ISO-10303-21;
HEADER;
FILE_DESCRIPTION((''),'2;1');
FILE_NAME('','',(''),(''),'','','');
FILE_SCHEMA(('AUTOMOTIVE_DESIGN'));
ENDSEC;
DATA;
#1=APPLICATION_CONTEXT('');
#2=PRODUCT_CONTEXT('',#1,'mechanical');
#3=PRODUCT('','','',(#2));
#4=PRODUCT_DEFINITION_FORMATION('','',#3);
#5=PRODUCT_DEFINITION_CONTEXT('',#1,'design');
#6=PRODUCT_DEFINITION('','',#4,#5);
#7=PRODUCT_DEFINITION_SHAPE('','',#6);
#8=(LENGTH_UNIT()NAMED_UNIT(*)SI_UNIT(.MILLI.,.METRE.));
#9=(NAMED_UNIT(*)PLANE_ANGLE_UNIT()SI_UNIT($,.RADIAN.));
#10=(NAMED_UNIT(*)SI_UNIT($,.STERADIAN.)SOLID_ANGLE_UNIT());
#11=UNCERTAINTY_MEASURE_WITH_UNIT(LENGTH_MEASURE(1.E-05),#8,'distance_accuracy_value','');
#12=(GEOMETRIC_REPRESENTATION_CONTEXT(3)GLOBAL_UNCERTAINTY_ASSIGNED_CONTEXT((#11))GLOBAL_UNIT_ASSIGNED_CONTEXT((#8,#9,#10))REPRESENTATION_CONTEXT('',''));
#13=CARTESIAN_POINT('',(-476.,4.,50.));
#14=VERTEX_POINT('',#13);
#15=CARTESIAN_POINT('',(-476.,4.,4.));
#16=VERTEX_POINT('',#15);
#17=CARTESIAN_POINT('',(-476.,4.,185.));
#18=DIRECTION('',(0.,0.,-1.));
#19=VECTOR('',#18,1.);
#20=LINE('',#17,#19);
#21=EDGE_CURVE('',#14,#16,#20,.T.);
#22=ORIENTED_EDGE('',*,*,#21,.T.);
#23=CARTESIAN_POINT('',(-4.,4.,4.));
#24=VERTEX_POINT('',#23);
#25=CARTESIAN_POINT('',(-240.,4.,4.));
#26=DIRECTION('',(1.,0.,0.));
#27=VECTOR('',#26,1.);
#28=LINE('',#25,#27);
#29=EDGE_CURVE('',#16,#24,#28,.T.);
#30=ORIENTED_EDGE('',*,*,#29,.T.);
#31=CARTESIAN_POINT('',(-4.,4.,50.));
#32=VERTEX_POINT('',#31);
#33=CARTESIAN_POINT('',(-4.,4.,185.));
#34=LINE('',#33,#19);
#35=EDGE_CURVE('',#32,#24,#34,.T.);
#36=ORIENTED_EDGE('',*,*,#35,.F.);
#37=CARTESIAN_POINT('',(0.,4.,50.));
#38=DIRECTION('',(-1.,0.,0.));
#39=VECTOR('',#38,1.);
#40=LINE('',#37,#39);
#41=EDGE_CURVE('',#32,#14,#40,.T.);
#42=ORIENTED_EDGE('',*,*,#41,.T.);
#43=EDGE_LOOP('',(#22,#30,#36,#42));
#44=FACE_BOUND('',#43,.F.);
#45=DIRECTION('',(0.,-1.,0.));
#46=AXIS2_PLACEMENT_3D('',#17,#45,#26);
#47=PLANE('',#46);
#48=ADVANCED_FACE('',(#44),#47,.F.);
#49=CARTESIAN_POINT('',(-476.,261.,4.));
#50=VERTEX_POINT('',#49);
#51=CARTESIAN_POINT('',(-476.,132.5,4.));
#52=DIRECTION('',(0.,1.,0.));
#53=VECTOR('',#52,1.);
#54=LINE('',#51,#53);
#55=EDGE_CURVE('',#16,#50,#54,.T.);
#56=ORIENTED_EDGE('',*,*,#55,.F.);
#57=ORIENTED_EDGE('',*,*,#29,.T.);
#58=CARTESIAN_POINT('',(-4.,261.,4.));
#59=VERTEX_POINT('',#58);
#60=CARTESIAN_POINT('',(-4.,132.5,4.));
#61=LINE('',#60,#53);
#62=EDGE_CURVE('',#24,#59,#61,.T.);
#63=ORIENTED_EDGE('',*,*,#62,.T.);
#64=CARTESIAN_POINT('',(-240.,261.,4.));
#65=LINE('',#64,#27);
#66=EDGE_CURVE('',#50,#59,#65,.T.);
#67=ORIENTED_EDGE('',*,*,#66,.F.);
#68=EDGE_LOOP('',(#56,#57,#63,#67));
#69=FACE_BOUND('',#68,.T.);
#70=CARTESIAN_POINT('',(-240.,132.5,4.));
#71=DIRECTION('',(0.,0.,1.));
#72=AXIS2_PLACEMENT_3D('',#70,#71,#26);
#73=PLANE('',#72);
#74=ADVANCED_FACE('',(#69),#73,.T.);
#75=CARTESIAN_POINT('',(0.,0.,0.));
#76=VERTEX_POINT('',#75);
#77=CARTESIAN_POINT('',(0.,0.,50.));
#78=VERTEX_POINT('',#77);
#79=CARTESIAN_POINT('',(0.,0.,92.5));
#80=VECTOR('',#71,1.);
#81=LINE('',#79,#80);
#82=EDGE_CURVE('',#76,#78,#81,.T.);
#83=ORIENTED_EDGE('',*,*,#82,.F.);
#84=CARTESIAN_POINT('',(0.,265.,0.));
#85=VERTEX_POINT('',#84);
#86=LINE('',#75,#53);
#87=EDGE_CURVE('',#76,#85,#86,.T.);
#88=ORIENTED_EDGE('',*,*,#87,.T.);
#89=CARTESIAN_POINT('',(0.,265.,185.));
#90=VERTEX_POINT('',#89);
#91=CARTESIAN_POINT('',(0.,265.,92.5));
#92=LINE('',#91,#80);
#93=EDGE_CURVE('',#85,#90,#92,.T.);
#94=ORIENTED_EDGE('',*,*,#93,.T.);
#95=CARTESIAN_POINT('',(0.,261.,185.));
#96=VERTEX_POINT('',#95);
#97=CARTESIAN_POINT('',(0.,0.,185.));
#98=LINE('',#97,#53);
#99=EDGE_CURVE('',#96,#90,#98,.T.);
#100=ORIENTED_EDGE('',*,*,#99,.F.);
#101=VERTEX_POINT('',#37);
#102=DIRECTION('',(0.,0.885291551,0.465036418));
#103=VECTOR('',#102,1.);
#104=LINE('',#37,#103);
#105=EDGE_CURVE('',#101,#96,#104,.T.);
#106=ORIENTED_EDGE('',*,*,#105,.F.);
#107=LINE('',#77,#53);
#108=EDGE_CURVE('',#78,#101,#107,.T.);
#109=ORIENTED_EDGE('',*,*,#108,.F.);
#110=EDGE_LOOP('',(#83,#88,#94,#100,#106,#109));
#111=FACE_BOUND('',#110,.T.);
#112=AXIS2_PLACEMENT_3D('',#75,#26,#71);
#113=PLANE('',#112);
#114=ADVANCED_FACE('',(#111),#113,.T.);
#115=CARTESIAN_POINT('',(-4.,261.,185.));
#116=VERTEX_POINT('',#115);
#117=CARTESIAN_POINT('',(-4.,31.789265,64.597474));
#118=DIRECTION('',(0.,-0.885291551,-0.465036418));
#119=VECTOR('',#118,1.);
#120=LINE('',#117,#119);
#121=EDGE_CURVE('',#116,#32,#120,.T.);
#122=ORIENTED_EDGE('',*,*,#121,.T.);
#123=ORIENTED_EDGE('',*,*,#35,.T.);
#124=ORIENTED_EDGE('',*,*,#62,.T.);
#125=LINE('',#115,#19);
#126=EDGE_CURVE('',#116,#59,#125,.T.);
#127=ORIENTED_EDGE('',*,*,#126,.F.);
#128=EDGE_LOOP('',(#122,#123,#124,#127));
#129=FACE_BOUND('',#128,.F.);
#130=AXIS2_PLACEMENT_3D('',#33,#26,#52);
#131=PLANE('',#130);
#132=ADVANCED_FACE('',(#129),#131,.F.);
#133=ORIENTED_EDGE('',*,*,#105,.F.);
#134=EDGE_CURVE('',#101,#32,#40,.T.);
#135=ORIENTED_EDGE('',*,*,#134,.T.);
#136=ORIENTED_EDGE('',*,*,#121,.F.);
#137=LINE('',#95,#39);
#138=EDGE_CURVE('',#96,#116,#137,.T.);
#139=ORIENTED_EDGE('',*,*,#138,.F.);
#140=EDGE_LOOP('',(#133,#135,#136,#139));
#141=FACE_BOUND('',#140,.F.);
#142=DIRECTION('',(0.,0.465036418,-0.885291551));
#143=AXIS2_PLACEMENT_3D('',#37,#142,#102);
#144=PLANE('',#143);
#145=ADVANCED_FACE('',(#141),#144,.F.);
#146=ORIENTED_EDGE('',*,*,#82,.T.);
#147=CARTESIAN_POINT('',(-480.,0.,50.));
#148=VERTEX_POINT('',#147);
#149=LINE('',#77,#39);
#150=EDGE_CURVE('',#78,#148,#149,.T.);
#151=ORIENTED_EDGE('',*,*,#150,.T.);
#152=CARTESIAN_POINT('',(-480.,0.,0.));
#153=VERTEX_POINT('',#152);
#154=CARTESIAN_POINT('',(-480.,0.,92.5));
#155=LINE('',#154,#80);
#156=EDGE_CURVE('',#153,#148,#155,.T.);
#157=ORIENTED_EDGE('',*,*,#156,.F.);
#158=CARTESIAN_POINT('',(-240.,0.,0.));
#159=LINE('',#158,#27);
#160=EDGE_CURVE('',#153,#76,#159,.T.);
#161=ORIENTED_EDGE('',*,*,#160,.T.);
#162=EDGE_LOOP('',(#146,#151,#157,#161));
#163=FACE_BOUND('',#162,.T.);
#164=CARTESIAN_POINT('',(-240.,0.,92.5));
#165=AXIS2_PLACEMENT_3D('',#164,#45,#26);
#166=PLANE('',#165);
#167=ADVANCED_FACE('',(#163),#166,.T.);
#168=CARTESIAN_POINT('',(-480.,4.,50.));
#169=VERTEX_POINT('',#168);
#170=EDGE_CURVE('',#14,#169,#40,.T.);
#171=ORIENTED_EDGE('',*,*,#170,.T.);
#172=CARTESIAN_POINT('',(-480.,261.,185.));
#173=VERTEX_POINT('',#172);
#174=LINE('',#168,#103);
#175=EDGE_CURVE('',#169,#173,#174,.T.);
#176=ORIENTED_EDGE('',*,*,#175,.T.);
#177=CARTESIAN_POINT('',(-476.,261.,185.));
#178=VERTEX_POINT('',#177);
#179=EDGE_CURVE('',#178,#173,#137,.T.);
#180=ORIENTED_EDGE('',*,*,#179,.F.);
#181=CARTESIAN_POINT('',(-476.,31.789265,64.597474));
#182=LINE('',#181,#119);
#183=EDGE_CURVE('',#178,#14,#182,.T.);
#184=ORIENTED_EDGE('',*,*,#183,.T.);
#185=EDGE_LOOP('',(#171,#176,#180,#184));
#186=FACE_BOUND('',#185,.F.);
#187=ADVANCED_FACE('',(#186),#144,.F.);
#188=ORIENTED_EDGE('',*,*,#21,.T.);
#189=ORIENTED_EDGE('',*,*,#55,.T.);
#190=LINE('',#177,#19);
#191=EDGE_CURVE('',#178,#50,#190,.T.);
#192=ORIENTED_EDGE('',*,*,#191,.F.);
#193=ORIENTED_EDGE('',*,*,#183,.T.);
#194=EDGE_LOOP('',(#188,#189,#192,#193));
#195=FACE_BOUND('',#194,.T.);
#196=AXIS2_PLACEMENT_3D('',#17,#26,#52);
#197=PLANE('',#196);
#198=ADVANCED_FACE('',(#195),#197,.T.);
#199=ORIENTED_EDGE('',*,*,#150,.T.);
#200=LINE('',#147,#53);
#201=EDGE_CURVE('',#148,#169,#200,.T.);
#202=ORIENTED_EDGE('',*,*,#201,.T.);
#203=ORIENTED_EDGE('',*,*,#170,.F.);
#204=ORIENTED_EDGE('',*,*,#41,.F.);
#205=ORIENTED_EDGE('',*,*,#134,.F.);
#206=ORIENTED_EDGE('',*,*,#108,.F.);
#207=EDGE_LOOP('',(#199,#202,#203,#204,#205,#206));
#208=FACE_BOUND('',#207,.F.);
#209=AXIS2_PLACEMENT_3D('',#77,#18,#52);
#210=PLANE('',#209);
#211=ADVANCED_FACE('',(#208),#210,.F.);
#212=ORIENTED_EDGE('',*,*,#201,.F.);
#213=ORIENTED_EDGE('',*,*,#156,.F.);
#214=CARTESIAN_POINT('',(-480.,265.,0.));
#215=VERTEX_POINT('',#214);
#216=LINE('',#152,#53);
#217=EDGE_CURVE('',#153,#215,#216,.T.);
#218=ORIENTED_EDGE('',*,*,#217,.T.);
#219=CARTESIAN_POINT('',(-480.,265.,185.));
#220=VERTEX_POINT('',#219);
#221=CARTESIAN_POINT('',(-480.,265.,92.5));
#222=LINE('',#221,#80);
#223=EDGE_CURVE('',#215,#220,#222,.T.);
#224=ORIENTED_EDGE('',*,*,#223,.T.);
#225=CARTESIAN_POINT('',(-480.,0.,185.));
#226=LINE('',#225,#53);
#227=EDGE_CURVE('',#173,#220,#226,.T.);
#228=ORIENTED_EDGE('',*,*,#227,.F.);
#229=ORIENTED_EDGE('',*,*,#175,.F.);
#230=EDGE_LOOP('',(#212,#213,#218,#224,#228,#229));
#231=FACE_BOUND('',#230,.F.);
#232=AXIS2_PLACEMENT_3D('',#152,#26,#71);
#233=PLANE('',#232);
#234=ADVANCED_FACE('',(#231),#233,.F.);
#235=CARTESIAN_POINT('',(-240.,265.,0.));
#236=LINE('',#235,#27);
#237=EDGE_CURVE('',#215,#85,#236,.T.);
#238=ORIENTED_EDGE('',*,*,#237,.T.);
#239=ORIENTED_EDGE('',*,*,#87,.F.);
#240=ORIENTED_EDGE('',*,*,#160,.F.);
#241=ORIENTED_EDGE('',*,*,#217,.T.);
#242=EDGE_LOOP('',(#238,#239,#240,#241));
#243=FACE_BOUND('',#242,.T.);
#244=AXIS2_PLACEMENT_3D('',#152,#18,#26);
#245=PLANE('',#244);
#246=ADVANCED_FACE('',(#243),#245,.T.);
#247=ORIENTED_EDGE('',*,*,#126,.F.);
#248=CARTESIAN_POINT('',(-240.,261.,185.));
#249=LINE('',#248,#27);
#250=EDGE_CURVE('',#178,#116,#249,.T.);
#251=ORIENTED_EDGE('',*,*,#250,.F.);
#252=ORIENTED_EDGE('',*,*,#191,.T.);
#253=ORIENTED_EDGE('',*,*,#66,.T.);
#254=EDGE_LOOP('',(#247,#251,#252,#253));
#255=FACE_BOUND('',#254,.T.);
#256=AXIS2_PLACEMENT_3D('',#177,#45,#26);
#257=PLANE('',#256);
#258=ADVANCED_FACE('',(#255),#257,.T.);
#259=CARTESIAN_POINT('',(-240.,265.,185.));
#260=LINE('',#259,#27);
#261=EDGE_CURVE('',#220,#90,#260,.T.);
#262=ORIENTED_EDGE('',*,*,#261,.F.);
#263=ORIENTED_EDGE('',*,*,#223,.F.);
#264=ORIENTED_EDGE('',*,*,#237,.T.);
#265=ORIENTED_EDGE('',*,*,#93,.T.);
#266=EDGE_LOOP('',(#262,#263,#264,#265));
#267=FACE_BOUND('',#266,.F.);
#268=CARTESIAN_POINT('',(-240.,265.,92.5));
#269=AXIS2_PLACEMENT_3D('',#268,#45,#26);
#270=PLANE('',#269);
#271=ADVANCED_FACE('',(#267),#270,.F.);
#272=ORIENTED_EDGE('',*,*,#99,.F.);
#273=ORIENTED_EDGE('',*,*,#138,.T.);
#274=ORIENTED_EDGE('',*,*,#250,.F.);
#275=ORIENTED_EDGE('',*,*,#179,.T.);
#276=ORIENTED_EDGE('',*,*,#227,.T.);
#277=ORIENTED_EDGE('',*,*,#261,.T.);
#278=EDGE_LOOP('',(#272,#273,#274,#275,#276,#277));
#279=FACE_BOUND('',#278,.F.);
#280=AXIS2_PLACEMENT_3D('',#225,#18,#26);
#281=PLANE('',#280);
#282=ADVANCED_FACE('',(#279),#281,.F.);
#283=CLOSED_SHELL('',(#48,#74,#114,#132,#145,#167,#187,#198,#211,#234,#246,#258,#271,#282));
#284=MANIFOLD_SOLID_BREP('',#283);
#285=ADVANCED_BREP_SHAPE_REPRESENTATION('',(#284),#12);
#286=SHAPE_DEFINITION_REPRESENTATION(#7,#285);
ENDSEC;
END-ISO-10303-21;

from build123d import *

# Parameters (mm, degrees)
F0_W     = 480
F0_H     = 185
F1_DEPTH = 265
F3_DEPTH = 480
F5_W     = 472
F5_H     = 257
F6_DEPTH = 181


with BuildPart() as f1:
    # F0 (on Front) → F1 (new body)
    with BuildSketch(Plane.XZ):
        with Locations((-240, 92.5)):
            Rectangle(F0_W, F0_H)
    extrude(amount=-F1_DEPTH)

    # F2 (on Right) → F3 (cut, through all)
    with BuildSketch(Plane.YZ):
        Polygon((0, 50), (4, 50), (261, 185), (0, 185), align=None)
    extrude(amount=-F3_DEPTH, mode=Mode.SUBTRACT)

    # F5 (on plane+point) → F6 (cut)
    with BuildSketch(Plane.XY.offset(185)):
        with Locations((-240, 132.5)):
            Rectangle(F5_W, F5_H)
    extrude(amount=-F6_DEPTH, mode=Mode.SUBTRACT)


solid = f1.part
